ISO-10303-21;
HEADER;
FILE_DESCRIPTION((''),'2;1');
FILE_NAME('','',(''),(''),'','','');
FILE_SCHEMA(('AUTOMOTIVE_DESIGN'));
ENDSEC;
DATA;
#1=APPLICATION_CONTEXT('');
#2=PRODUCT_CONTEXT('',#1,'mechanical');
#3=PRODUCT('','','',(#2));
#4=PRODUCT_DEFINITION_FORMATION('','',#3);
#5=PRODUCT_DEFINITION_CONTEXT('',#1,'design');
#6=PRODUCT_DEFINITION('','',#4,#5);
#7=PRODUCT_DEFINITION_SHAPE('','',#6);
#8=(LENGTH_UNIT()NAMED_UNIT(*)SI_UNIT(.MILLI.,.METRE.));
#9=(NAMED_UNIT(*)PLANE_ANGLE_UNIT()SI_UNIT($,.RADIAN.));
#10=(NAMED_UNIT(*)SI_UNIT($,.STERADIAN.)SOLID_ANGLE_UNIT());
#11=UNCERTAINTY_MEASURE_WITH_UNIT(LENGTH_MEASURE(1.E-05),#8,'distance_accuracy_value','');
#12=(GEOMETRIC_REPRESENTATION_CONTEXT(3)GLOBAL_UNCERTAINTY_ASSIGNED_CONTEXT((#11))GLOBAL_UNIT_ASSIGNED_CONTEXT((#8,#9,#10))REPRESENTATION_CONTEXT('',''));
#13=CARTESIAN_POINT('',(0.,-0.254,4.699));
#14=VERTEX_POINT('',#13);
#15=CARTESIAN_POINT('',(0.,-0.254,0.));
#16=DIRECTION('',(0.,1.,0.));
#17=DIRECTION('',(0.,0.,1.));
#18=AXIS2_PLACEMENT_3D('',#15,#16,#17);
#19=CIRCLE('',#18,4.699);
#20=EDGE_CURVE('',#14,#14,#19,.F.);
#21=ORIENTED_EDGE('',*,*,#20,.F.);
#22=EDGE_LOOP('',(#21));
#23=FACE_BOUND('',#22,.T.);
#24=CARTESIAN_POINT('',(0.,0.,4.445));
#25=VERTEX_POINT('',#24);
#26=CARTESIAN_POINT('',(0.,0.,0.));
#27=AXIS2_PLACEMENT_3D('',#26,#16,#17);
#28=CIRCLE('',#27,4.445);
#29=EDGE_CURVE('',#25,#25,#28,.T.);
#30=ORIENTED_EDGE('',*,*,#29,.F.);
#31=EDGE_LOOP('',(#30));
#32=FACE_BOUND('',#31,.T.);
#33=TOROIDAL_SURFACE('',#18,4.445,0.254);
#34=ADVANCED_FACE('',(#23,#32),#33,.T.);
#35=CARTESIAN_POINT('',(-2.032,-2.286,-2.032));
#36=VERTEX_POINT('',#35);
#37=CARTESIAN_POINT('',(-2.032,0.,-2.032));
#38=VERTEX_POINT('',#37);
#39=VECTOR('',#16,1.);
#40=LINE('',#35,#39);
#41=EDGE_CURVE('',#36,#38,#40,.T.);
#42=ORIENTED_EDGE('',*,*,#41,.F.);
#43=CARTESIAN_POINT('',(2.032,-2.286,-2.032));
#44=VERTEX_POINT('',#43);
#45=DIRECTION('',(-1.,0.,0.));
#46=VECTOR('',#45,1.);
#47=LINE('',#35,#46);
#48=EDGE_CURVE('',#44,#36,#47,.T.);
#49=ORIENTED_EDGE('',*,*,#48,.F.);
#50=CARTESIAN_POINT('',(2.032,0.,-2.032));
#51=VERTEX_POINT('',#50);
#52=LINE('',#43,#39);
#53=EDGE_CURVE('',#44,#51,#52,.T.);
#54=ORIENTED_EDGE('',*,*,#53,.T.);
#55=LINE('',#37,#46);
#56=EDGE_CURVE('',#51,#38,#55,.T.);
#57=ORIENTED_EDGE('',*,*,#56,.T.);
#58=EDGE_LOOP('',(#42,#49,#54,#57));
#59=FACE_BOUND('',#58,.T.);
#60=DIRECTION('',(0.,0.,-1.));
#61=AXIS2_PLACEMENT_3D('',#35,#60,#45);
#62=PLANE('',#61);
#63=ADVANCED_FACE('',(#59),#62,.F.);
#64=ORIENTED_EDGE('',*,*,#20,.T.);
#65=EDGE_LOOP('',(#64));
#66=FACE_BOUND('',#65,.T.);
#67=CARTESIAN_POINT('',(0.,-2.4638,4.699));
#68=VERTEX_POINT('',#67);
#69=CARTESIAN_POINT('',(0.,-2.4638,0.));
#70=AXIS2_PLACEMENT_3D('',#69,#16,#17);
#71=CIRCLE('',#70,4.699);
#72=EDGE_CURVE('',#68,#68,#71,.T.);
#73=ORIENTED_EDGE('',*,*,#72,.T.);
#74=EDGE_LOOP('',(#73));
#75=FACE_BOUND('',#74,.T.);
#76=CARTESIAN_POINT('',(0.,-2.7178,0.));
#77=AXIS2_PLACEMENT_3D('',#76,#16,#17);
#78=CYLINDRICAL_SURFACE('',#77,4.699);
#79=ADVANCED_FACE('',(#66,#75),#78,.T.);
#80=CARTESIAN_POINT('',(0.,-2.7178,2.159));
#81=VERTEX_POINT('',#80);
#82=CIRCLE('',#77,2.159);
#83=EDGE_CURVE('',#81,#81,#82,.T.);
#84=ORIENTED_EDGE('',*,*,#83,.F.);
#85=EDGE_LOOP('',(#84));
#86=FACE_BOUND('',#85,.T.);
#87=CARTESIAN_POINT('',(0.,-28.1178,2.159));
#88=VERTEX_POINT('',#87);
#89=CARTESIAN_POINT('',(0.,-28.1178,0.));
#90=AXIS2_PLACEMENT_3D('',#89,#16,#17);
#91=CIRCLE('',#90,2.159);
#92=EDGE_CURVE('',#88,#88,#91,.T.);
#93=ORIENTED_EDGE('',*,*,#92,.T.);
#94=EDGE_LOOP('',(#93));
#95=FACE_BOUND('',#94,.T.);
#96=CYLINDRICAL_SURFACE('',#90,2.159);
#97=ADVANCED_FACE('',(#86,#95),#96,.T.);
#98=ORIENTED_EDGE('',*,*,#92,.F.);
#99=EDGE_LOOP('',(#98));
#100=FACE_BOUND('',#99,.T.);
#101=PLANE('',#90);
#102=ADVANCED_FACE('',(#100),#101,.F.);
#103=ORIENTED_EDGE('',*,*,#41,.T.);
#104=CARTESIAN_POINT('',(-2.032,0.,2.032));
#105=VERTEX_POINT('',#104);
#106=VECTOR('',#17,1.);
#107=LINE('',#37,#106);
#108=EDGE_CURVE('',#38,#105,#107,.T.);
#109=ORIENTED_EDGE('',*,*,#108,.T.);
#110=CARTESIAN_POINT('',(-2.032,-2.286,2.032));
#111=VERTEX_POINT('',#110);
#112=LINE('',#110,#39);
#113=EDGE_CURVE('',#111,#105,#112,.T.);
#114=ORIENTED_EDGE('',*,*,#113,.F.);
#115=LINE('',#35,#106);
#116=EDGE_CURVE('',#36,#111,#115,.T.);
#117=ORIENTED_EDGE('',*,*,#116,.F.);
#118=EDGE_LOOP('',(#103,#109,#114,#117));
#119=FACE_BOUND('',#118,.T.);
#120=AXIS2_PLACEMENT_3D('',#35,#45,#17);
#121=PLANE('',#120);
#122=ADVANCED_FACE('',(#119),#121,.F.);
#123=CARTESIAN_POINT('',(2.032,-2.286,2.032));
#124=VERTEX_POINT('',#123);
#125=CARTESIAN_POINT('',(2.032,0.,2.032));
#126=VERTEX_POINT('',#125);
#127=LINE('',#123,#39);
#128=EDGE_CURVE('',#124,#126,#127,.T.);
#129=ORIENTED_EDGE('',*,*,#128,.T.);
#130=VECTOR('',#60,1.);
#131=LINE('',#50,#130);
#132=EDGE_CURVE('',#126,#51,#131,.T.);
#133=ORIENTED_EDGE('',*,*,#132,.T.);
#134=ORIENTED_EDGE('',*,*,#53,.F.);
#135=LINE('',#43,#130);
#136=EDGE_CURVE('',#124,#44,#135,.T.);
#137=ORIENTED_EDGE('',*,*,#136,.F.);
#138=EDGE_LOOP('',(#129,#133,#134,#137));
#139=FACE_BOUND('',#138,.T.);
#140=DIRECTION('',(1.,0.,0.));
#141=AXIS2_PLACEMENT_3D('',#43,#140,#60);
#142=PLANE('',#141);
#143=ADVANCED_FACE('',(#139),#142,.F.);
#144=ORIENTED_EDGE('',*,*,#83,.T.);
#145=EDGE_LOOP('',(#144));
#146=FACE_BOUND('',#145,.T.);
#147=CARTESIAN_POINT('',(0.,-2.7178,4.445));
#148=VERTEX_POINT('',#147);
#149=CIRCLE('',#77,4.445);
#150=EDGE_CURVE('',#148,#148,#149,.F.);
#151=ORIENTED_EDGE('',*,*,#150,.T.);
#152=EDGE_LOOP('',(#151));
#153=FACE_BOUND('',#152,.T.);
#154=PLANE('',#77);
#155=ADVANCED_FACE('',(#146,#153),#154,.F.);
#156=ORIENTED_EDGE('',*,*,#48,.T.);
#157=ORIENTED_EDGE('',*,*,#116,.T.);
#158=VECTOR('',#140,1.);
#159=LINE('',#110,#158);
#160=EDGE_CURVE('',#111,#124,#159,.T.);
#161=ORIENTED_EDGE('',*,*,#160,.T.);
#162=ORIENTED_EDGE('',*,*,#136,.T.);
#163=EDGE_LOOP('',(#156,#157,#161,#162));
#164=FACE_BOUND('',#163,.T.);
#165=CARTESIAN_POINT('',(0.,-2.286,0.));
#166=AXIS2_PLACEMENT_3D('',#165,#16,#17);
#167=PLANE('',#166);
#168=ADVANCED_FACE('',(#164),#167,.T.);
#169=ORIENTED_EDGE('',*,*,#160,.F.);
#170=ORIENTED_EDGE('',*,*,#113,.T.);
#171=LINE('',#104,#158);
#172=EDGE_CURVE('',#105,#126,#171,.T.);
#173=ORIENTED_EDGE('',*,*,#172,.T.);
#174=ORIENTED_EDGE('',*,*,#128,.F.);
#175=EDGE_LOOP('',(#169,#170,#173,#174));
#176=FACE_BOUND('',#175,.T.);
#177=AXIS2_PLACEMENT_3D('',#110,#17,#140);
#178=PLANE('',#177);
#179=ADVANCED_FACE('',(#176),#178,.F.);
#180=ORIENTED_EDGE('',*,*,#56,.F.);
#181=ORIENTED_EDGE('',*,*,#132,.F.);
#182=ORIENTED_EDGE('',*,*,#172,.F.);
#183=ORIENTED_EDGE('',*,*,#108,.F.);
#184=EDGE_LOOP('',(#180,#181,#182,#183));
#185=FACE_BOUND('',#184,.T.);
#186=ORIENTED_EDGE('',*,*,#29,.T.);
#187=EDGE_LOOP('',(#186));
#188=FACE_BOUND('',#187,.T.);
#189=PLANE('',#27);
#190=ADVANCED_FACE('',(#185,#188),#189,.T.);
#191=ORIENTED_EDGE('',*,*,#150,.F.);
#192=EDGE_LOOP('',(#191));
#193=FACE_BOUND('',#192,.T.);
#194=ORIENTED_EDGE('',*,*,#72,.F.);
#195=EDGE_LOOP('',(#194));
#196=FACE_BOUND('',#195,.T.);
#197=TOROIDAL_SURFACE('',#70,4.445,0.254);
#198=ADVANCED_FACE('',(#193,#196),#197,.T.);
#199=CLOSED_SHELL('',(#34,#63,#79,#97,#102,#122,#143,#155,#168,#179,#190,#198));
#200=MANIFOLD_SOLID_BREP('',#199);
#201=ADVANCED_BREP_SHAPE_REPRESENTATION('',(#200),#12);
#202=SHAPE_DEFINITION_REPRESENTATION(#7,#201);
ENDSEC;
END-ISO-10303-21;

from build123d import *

# Parameters (mm, degrees)
SKETCH1_R           = 4.699
BOSS_EXTRUDE1_DEPTH = 2.7178
SKETCH2_R           = 2.159
BOSS_EXTRUDE2_DEPTH = 28.1178
SKETCH3_W           = 4.064
SKETCH3_H           = 4.064
CUT_EXTRUDE1_DEPTH  = 2.286
FILLET2_R           = 0.254


with BuildPart() as part:
    # Sketch1 → Boss-Extrude1 (new body)
    with BuildSketch(Plane(origin=(0, 0, 0), x_dir=(1, 0, 0), z_dir=(0, 1, 0))):
        with Locations(Location((0, 0, 0), (0, 0, 270))):
            Circle(SKETCH1_R)
    extrude(amount=-BOSS_EXTRUDE1_DEPTH)

    # Sketch2 → Boss-Extrude2 (add)
    with BuildSketch(Plane(origin=(0, 0, 0), x_dir=(1, 0, 0), z_dir=(0, 1, 0))):
        with Locations(Location((0, 0, 0), (0, 0, 270))):
            Circle(SKETCH2_R)
    extrude(amount=-BOSS_EXTRUDE2_DEPTH)

    # Sketch3 → Cut-Extrude1 (cut)
    with BuildSketch(Plane(origin=(0, 0, 0), x_dir=(1, 0, 0), z_dir=(0, 1, 0))):
        Rectangle(SKETCH3_W, SKETCH3_H)
    extrude(amount=-CUT_EXTRUDE1_DEPTH, mode=Mode.SUBTRACT)

    # Fillet2
    fillet2_edges = [part.edges().sort_by_distance(p)[0] for p in [
        (0, 0, -4.699),
        (0, -2.7178, -4.699),
    ]]
    fillet(fillet2_edges, radius=FILLET2_R)


solid = part.part
